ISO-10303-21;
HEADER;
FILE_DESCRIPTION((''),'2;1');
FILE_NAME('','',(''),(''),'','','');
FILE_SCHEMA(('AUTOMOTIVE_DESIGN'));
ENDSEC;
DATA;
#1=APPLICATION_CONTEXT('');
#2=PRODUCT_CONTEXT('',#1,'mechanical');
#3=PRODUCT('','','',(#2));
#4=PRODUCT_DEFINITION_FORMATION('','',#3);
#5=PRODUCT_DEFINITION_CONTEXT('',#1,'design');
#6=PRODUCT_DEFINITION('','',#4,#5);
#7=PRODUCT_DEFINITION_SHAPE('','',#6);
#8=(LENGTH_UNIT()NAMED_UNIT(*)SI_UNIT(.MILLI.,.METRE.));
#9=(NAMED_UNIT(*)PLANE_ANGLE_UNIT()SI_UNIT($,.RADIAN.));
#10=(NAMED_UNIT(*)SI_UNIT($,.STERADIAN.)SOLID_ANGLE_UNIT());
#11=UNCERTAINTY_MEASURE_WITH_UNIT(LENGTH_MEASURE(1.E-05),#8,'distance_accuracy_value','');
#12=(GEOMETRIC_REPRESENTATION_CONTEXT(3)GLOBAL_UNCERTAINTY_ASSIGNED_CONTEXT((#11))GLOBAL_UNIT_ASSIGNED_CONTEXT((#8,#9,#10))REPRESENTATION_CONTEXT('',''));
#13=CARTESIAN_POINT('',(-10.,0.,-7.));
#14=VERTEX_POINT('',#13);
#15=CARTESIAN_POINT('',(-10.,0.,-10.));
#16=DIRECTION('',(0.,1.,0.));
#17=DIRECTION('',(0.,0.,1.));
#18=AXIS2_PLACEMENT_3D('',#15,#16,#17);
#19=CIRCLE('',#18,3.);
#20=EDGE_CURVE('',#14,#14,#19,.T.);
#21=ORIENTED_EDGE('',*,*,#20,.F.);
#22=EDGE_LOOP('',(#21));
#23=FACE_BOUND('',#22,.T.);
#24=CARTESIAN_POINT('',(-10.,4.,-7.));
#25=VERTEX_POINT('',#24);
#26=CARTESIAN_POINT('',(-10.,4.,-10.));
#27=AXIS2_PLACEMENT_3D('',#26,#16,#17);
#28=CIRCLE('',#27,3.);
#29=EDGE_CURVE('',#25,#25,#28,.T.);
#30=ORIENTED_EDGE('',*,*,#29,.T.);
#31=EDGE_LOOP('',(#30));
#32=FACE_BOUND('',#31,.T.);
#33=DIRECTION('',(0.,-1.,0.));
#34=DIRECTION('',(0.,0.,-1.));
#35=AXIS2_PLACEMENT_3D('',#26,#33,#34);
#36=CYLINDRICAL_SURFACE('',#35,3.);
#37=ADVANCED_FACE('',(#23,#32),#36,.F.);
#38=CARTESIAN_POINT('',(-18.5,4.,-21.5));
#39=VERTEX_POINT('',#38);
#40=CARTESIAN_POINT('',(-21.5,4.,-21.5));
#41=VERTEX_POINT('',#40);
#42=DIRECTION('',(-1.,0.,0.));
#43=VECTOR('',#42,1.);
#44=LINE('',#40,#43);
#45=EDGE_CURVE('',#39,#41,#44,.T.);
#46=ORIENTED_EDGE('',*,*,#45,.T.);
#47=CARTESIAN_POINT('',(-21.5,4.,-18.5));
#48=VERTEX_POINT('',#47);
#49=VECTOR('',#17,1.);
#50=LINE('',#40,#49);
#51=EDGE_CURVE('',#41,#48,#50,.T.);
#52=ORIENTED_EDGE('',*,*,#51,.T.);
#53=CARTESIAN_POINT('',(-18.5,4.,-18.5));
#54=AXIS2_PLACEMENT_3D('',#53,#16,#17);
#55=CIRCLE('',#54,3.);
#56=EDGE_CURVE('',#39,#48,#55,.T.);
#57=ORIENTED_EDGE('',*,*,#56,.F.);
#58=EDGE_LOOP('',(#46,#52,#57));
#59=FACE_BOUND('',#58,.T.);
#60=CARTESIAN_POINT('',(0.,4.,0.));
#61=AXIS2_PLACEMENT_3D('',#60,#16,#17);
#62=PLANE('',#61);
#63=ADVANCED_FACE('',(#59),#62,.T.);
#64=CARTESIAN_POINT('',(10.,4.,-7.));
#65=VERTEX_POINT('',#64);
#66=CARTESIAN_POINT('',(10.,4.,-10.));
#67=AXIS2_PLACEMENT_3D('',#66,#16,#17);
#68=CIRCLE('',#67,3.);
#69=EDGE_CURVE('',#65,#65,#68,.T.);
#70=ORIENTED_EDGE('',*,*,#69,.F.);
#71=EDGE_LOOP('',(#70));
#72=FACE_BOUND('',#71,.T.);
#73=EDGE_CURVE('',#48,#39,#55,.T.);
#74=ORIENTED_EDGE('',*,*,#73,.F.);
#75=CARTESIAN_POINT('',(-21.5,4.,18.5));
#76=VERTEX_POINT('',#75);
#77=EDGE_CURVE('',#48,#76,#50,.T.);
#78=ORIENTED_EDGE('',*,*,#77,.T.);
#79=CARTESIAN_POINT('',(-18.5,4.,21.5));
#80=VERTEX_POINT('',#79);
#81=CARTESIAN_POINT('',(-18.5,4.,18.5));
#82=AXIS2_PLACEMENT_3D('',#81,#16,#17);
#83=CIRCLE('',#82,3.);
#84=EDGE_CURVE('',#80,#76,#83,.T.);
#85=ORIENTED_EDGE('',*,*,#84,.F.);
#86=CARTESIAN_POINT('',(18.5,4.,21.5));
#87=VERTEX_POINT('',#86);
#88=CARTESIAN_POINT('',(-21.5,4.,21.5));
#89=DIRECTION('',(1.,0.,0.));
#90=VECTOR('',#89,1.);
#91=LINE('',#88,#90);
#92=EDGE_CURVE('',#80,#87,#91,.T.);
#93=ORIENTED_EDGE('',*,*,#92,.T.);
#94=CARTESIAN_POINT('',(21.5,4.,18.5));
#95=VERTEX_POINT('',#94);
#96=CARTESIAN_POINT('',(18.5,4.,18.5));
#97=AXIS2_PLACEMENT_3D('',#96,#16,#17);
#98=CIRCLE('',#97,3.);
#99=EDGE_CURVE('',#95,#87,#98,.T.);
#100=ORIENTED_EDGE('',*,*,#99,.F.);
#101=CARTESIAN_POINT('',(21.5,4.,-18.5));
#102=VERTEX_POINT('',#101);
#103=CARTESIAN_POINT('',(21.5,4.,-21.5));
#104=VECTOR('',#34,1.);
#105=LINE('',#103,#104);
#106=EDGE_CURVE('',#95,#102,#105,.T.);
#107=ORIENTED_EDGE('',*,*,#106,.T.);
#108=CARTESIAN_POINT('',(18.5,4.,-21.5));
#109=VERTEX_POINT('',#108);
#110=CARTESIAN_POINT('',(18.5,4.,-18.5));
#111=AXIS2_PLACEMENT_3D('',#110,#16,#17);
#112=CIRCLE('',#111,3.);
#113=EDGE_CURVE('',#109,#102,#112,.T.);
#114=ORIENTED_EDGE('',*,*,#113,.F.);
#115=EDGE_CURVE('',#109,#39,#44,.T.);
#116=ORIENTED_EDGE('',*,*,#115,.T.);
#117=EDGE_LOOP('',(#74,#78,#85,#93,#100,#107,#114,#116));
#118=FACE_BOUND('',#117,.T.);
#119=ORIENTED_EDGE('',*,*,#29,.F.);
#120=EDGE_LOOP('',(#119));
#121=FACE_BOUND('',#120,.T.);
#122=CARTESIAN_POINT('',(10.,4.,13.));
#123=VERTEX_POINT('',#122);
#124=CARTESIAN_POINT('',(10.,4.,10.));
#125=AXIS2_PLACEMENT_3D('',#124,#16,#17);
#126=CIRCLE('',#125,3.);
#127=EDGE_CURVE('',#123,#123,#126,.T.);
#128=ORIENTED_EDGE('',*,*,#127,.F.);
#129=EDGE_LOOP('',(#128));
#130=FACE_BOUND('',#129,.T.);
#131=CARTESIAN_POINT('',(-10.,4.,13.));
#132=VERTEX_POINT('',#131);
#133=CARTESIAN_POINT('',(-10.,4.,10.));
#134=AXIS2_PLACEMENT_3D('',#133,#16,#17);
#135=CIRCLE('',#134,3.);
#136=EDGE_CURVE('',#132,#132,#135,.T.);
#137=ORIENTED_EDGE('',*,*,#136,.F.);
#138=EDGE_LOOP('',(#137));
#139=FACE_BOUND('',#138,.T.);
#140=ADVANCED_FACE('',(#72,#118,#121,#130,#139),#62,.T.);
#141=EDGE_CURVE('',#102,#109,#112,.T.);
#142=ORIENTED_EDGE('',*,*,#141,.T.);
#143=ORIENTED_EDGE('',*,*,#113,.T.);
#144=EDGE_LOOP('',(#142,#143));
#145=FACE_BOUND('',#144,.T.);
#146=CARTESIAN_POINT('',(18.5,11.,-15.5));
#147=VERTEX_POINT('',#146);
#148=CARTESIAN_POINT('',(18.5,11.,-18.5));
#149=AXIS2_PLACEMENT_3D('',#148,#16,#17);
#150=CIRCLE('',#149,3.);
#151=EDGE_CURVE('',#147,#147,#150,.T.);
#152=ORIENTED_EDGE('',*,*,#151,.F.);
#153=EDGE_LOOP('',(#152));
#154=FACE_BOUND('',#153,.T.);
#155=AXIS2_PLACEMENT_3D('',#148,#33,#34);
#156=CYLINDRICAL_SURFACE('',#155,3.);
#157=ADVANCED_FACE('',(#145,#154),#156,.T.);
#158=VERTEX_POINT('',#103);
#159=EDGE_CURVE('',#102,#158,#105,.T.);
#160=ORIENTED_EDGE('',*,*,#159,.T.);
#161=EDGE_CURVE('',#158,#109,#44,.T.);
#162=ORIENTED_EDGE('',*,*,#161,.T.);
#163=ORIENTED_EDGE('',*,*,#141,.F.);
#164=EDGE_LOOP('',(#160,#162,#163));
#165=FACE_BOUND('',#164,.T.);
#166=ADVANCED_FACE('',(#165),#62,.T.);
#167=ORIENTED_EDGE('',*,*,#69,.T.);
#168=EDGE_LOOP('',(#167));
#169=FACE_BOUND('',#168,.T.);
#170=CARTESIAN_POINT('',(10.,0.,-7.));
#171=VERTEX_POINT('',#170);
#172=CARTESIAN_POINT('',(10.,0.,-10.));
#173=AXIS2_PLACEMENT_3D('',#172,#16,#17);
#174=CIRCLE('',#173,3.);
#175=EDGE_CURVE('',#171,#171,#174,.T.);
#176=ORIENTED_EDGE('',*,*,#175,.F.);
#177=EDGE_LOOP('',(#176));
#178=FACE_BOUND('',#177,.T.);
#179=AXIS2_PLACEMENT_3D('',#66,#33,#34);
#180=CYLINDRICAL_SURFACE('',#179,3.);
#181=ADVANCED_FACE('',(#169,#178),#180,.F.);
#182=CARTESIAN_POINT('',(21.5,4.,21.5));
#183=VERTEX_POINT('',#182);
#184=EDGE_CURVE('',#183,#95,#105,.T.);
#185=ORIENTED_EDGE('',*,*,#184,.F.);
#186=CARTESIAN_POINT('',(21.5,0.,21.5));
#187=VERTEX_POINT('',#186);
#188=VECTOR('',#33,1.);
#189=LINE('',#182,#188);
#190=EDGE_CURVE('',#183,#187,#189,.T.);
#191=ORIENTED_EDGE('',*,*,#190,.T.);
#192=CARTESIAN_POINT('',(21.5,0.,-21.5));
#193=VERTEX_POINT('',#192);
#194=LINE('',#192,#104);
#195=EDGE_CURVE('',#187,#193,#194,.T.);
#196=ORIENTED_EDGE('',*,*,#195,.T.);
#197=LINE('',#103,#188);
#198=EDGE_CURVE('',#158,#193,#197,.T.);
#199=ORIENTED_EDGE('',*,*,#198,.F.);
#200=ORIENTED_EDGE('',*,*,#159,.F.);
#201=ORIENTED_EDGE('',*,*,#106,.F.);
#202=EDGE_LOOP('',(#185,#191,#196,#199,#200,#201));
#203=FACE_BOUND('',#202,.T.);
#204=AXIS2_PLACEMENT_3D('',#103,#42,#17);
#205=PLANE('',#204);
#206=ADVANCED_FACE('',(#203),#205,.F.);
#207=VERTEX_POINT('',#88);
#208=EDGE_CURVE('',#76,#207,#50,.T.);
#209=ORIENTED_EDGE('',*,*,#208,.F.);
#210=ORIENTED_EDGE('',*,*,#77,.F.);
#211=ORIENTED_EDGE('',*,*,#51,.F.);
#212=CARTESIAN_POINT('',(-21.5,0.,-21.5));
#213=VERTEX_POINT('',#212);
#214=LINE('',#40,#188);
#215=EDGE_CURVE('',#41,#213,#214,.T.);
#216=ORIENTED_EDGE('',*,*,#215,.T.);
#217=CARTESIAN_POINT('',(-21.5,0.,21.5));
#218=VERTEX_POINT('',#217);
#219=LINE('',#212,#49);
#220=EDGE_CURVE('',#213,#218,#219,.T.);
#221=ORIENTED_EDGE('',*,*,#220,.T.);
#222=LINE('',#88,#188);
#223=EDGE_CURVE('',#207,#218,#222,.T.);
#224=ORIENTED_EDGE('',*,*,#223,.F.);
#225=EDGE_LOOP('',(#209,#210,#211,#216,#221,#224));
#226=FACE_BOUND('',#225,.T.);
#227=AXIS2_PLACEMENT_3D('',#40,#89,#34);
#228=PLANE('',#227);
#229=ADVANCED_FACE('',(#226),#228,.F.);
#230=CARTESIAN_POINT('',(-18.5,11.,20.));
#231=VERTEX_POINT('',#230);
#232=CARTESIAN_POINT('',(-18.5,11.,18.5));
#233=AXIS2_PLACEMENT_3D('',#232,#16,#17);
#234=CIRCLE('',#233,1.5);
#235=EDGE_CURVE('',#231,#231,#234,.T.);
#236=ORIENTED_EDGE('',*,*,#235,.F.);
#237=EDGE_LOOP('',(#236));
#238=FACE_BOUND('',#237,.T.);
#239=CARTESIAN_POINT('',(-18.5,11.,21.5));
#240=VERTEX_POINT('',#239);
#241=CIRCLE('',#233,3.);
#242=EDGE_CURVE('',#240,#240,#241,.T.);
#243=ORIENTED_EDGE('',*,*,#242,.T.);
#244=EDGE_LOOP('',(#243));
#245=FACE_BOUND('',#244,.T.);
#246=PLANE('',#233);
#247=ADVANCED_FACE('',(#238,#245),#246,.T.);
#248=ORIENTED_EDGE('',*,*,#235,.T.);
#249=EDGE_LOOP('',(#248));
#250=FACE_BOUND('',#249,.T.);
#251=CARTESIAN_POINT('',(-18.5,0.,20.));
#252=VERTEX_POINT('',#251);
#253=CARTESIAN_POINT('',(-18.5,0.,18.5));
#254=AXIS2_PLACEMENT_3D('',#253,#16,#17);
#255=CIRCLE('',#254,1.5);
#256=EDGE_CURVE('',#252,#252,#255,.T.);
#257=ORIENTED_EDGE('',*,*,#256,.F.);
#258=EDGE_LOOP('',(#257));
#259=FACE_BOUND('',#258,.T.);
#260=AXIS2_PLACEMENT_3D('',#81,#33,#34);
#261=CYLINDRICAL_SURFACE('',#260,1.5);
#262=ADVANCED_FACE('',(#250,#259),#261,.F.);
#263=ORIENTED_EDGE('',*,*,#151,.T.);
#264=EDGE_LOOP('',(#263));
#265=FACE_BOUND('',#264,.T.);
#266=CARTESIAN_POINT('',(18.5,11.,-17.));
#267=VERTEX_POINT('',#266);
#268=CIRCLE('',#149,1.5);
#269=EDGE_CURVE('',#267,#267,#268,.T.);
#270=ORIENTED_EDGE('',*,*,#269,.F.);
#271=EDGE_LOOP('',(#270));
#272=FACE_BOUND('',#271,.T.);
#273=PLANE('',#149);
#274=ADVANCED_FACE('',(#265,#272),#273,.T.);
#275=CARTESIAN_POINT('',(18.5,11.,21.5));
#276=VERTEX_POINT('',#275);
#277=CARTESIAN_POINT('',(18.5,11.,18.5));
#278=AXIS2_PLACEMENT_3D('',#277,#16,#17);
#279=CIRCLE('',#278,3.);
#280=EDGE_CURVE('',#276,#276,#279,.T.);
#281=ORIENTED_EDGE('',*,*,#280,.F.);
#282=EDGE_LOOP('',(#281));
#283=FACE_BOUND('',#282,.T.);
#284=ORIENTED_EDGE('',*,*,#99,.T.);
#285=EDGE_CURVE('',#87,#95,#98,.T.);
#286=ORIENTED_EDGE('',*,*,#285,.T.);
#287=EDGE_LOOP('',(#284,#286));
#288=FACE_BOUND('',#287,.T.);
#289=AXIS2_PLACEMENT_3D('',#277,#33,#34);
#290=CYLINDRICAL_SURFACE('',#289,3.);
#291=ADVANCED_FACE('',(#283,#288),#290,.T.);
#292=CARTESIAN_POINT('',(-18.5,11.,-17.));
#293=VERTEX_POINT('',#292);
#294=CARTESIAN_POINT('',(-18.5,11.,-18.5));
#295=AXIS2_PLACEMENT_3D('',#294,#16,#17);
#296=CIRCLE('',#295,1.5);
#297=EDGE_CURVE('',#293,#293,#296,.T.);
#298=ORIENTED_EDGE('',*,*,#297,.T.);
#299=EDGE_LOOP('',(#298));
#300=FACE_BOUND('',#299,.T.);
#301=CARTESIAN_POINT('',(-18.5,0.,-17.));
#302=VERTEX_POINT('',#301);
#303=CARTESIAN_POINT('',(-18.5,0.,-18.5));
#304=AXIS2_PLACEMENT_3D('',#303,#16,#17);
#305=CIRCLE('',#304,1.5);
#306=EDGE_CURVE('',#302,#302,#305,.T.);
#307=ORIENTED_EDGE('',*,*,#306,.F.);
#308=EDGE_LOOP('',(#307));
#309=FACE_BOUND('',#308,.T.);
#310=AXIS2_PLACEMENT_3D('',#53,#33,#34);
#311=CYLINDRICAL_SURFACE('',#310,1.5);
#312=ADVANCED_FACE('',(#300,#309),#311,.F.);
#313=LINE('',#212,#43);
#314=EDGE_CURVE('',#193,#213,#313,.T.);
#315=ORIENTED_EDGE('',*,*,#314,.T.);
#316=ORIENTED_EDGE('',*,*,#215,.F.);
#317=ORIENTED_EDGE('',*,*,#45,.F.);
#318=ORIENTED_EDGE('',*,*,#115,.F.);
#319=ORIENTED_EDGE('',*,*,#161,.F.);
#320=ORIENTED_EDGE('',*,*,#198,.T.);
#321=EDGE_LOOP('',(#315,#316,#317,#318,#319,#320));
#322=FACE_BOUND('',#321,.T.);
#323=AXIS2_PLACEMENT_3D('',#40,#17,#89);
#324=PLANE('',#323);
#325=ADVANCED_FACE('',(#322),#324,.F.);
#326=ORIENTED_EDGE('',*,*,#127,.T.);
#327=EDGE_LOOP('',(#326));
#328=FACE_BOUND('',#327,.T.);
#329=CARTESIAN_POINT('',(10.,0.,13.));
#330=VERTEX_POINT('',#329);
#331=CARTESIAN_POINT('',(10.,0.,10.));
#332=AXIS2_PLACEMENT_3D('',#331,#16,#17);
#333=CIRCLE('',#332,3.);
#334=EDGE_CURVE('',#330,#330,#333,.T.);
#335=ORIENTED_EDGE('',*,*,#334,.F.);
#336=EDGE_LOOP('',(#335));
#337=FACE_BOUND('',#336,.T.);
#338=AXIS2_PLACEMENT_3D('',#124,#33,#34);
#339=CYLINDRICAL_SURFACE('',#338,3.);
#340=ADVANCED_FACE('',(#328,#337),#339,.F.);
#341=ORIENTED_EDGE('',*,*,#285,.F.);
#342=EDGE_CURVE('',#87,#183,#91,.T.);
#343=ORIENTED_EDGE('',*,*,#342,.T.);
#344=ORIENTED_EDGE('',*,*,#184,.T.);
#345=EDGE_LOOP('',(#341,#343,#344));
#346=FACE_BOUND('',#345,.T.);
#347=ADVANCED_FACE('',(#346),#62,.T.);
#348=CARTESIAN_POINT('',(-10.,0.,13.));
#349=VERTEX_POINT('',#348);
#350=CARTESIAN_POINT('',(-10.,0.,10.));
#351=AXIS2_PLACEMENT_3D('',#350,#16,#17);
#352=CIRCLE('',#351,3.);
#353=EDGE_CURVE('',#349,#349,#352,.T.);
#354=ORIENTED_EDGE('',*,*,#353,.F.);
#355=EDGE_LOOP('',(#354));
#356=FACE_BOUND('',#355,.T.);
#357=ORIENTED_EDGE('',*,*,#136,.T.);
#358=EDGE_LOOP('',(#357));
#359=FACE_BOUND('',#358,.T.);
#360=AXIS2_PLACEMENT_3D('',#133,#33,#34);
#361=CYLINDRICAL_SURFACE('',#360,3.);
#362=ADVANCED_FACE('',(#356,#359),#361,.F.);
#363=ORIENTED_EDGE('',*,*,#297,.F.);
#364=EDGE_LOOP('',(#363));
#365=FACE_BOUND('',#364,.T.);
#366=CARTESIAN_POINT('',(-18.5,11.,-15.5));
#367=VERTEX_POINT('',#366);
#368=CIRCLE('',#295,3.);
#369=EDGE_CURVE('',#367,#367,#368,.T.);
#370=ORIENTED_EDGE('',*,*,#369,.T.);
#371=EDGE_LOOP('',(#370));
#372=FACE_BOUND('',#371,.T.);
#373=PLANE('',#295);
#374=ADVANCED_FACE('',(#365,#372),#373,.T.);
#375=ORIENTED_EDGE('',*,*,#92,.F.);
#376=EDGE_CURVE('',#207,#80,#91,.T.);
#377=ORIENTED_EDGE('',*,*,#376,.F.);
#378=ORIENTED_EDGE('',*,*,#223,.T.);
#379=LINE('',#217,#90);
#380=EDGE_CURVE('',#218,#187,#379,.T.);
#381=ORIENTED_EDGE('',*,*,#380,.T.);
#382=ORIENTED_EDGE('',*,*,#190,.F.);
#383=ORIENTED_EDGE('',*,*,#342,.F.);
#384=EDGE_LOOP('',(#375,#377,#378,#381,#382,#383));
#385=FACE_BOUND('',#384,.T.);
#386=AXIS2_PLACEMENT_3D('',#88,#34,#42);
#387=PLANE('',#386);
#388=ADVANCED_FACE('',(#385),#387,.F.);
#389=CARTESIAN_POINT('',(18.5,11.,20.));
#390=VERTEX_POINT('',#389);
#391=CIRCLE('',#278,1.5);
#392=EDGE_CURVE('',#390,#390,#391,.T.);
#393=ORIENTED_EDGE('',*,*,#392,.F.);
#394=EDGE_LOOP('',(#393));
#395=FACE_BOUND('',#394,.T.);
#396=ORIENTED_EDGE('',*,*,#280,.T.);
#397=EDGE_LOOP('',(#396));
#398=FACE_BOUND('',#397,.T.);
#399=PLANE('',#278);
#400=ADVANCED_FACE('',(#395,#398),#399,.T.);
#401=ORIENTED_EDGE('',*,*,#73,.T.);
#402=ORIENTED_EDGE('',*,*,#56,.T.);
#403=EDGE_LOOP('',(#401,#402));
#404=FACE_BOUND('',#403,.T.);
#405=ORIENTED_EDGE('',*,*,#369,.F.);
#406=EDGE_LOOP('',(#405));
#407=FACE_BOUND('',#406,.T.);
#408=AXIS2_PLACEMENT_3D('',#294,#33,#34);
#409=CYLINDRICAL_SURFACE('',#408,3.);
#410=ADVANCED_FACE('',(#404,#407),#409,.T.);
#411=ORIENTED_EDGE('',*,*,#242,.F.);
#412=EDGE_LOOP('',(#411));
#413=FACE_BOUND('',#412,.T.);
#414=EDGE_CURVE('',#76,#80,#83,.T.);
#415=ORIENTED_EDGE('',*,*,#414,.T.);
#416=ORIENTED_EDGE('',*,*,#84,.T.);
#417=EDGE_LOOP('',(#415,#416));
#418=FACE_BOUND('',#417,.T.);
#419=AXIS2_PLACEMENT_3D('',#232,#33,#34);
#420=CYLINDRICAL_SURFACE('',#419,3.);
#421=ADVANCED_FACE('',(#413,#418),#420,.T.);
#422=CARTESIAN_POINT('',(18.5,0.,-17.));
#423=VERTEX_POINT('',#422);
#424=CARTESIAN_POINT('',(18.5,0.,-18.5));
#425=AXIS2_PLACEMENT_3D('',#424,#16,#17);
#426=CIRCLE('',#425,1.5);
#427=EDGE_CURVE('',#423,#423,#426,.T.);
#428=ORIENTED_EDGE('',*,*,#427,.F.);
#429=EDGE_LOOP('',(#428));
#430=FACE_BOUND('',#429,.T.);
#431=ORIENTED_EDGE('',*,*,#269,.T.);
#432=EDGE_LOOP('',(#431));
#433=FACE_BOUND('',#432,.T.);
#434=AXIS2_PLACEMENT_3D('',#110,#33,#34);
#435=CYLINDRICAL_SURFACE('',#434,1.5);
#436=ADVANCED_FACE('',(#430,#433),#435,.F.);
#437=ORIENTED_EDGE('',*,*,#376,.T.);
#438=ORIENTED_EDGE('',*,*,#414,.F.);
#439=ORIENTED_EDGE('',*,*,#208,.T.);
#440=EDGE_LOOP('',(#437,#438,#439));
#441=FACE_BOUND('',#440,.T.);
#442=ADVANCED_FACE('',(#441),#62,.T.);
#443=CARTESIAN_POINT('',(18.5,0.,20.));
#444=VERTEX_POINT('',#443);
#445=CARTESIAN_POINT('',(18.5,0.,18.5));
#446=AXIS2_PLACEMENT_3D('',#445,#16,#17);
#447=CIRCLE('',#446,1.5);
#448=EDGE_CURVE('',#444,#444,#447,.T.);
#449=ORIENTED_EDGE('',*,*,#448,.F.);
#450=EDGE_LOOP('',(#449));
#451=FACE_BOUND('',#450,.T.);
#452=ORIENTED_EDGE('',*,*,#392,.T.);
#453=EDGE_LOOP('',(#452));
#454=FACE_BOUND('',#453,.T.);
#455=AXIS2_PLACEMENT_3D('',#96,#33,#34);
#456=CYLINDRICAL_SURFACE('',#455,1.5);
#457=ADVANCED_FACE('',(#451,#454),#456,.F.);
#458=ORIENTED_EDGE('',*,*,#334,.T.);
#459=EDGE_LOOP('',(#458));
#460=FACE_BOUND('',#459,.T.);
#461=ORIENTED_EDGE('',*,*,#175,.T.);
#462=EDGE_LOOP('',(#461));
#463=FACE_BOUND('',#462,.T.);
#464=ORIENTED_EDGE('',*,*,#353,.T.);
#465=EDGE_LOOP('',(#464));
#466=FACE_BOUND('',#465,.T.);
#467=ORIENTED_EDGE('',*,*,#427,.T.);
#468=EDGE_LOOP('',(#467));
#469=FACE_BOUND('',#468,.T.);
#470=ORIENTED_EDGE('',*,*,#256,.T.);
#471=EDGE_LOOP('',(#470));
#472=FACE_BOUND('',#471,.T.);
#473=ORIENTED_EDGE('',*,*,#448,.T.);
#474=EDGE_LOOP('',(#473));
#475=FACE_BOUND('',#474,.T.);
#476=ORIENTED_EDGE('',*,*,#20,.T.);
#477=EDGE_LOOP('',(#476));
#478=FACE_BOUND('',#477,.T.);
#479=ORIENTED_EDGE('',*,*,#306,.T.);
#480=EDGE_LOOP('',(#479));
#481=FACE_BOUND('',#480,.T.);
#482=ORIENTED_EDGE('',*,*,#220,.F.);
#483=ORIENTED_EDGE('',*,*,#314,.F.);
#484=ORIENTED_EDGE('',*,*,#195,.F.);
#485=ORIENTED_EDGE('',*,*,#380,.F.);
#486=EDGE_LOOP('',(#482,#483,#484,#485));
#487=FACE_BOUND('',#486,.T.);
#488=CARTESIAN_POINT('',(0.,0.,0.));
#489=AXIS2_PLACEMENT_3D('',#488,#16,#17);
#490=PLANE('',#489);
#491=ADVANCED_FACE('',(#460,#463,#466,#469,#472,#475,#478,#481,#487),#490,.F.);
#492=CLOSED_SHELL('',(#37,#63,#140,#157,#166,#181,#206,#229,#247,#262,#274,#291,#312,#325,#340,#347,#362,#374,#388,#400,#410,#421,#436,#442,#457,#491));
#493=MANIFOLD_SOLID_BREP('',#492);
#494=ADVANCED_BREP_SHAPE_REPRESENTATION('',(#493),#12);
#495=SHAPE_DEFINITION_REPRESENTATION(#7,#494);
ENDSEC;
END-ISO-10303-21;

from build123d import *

# Parameters (mm, degrees)
SKETCH_1_W      = 43
SKETCH_1_H      = 43
SKETCH_1_R      = 3
SKETCH_1_R_2    = 1.5
EXTRUDE_1_DEPTH = 4
SKETCH_2_R      = 3
SKETCH_2_R_2    = 1.5
EXTRUDE_2_DEPTH = 7


with BuildPart() as part:
    # 草图1 → 凸台-拉伸1 (new body)
    with BuildSketch(Plane(origin=(0, 0, 0), x_dir=(1, 0, 0), z_dir=(0, 1, 0))):
        Rectangle(SKETCH_1_W, SKETCH_1_H)
        with Locations(Location((-10, 10, 0), (0, 0, 270))):
            Circle(SKETCH_1_R, mode=Mode.SUBTRACT)
        with Locations(Location((10, 10, 0), (0, 0, 270))):
            Circle(SKETCH_1_R, mode=Mode.SUBTRACT)
        with Locations(Location((-10, -10, 0), (0, 0, 270))):
            Circle(SKETCH_1_R, mode=Mode.SUBTRACT)
        with Locations(Location((10, -10, 0), (0, 0, 270))):
            Circle(SKETCH_1_R, mode=Mode.SUBTRACT)
        with Locations(Location((-18.5, 18.5, 0), (0, 0, 270))):
            Circle(SKETCH_1_R_2, mode=Mode.SUBTRACT)
        with Locations(Location((18.5, 18.5, 0), (0, 0, 270))):
            Circle(SKETCH_1_R_2, mode=Mode.SUBTRACT)
        with Locations(Location((18.5, -18.5, 0), (0, 0, 270))):
            Circle(SKETCH_1_R_2, mode=Mode.SUBTRACT)
        with Locations(Location((-18.5, -18.5, 0), (0, 0, 270))):
            Circle(SKETCH_1_R_2, mode=Mode.SUBTRACT)
    extrude(amount=EXTRUDE_1_DEPTH)

    # 草图2 → 凸台-拉伸2 (add)
    # profile 1 of 4: a face of its own
    with BuildSketch(Plane(origin=(0, 4, 0), x_dir=(1, 0, 0), z_dir=(0, 1, 0))):
        with Locations(Location((-18.5, -18.5, 0), (0, 0, 270))):
            Circle(SKETCH_2_R)
        with Locations(Location((-18.5, -18.5, 0), (0, 0, 270))):
            Circle(SKETCH_2_R_2, mode=Mode.SUBTRACT)
    # profile 2 of 4: a face of its own
    with BuildSketch(Plane(origin=(0, 4, 0), x_dir=(1, 0, 0), z_dir=(0, 1, 0))):
        with Locations(Location((18.5, -18.5, 0), (0, 0, 270))):
            Circle(SKETCH_2_R)
        with Locations(Location((18.5, -18.5, 0), (0, 0, 270))):
            Circle(SKETCH_2_R_2, mode=Mode.SUBTRACT)
    # profile 3 of 4: a face of its own
    with BuildSketch(Plane(origin=(0, 4, 0), x_dir=(1, 0, 0), z_dir=(0, 1, 0))):
        with Locations(Location((18.5, 18.5, 0), (0, 0, 90))):
            Circle(SKETCH_2_R)
        with Locations(Location((18.5, 18.5, 0), (0, 0, 270))):
            Circle(SKETCH_2_R_2, mode=Mode.SUBTRACT)
    # profile 4 of 4: a face of its own
    with BuildSketch(Plane(origin=(0, 4, 0), x_dir=(1, 0, 0), z_dir=(0, 1, 0))):
        with Locations(Location((-18.5, 18.5, 0), (0, 0, 90))):
            Circle(SKETCH_2_R)
        with Locations(Location((-18.5, 18.5, 0), (0, 0, 270))):
            Circle(SKETCH_2_R_2, mode=Mode.SUBTRACT)
    extrude(amount=EXTRUDE_2_DEPTH)


solid = part.part
